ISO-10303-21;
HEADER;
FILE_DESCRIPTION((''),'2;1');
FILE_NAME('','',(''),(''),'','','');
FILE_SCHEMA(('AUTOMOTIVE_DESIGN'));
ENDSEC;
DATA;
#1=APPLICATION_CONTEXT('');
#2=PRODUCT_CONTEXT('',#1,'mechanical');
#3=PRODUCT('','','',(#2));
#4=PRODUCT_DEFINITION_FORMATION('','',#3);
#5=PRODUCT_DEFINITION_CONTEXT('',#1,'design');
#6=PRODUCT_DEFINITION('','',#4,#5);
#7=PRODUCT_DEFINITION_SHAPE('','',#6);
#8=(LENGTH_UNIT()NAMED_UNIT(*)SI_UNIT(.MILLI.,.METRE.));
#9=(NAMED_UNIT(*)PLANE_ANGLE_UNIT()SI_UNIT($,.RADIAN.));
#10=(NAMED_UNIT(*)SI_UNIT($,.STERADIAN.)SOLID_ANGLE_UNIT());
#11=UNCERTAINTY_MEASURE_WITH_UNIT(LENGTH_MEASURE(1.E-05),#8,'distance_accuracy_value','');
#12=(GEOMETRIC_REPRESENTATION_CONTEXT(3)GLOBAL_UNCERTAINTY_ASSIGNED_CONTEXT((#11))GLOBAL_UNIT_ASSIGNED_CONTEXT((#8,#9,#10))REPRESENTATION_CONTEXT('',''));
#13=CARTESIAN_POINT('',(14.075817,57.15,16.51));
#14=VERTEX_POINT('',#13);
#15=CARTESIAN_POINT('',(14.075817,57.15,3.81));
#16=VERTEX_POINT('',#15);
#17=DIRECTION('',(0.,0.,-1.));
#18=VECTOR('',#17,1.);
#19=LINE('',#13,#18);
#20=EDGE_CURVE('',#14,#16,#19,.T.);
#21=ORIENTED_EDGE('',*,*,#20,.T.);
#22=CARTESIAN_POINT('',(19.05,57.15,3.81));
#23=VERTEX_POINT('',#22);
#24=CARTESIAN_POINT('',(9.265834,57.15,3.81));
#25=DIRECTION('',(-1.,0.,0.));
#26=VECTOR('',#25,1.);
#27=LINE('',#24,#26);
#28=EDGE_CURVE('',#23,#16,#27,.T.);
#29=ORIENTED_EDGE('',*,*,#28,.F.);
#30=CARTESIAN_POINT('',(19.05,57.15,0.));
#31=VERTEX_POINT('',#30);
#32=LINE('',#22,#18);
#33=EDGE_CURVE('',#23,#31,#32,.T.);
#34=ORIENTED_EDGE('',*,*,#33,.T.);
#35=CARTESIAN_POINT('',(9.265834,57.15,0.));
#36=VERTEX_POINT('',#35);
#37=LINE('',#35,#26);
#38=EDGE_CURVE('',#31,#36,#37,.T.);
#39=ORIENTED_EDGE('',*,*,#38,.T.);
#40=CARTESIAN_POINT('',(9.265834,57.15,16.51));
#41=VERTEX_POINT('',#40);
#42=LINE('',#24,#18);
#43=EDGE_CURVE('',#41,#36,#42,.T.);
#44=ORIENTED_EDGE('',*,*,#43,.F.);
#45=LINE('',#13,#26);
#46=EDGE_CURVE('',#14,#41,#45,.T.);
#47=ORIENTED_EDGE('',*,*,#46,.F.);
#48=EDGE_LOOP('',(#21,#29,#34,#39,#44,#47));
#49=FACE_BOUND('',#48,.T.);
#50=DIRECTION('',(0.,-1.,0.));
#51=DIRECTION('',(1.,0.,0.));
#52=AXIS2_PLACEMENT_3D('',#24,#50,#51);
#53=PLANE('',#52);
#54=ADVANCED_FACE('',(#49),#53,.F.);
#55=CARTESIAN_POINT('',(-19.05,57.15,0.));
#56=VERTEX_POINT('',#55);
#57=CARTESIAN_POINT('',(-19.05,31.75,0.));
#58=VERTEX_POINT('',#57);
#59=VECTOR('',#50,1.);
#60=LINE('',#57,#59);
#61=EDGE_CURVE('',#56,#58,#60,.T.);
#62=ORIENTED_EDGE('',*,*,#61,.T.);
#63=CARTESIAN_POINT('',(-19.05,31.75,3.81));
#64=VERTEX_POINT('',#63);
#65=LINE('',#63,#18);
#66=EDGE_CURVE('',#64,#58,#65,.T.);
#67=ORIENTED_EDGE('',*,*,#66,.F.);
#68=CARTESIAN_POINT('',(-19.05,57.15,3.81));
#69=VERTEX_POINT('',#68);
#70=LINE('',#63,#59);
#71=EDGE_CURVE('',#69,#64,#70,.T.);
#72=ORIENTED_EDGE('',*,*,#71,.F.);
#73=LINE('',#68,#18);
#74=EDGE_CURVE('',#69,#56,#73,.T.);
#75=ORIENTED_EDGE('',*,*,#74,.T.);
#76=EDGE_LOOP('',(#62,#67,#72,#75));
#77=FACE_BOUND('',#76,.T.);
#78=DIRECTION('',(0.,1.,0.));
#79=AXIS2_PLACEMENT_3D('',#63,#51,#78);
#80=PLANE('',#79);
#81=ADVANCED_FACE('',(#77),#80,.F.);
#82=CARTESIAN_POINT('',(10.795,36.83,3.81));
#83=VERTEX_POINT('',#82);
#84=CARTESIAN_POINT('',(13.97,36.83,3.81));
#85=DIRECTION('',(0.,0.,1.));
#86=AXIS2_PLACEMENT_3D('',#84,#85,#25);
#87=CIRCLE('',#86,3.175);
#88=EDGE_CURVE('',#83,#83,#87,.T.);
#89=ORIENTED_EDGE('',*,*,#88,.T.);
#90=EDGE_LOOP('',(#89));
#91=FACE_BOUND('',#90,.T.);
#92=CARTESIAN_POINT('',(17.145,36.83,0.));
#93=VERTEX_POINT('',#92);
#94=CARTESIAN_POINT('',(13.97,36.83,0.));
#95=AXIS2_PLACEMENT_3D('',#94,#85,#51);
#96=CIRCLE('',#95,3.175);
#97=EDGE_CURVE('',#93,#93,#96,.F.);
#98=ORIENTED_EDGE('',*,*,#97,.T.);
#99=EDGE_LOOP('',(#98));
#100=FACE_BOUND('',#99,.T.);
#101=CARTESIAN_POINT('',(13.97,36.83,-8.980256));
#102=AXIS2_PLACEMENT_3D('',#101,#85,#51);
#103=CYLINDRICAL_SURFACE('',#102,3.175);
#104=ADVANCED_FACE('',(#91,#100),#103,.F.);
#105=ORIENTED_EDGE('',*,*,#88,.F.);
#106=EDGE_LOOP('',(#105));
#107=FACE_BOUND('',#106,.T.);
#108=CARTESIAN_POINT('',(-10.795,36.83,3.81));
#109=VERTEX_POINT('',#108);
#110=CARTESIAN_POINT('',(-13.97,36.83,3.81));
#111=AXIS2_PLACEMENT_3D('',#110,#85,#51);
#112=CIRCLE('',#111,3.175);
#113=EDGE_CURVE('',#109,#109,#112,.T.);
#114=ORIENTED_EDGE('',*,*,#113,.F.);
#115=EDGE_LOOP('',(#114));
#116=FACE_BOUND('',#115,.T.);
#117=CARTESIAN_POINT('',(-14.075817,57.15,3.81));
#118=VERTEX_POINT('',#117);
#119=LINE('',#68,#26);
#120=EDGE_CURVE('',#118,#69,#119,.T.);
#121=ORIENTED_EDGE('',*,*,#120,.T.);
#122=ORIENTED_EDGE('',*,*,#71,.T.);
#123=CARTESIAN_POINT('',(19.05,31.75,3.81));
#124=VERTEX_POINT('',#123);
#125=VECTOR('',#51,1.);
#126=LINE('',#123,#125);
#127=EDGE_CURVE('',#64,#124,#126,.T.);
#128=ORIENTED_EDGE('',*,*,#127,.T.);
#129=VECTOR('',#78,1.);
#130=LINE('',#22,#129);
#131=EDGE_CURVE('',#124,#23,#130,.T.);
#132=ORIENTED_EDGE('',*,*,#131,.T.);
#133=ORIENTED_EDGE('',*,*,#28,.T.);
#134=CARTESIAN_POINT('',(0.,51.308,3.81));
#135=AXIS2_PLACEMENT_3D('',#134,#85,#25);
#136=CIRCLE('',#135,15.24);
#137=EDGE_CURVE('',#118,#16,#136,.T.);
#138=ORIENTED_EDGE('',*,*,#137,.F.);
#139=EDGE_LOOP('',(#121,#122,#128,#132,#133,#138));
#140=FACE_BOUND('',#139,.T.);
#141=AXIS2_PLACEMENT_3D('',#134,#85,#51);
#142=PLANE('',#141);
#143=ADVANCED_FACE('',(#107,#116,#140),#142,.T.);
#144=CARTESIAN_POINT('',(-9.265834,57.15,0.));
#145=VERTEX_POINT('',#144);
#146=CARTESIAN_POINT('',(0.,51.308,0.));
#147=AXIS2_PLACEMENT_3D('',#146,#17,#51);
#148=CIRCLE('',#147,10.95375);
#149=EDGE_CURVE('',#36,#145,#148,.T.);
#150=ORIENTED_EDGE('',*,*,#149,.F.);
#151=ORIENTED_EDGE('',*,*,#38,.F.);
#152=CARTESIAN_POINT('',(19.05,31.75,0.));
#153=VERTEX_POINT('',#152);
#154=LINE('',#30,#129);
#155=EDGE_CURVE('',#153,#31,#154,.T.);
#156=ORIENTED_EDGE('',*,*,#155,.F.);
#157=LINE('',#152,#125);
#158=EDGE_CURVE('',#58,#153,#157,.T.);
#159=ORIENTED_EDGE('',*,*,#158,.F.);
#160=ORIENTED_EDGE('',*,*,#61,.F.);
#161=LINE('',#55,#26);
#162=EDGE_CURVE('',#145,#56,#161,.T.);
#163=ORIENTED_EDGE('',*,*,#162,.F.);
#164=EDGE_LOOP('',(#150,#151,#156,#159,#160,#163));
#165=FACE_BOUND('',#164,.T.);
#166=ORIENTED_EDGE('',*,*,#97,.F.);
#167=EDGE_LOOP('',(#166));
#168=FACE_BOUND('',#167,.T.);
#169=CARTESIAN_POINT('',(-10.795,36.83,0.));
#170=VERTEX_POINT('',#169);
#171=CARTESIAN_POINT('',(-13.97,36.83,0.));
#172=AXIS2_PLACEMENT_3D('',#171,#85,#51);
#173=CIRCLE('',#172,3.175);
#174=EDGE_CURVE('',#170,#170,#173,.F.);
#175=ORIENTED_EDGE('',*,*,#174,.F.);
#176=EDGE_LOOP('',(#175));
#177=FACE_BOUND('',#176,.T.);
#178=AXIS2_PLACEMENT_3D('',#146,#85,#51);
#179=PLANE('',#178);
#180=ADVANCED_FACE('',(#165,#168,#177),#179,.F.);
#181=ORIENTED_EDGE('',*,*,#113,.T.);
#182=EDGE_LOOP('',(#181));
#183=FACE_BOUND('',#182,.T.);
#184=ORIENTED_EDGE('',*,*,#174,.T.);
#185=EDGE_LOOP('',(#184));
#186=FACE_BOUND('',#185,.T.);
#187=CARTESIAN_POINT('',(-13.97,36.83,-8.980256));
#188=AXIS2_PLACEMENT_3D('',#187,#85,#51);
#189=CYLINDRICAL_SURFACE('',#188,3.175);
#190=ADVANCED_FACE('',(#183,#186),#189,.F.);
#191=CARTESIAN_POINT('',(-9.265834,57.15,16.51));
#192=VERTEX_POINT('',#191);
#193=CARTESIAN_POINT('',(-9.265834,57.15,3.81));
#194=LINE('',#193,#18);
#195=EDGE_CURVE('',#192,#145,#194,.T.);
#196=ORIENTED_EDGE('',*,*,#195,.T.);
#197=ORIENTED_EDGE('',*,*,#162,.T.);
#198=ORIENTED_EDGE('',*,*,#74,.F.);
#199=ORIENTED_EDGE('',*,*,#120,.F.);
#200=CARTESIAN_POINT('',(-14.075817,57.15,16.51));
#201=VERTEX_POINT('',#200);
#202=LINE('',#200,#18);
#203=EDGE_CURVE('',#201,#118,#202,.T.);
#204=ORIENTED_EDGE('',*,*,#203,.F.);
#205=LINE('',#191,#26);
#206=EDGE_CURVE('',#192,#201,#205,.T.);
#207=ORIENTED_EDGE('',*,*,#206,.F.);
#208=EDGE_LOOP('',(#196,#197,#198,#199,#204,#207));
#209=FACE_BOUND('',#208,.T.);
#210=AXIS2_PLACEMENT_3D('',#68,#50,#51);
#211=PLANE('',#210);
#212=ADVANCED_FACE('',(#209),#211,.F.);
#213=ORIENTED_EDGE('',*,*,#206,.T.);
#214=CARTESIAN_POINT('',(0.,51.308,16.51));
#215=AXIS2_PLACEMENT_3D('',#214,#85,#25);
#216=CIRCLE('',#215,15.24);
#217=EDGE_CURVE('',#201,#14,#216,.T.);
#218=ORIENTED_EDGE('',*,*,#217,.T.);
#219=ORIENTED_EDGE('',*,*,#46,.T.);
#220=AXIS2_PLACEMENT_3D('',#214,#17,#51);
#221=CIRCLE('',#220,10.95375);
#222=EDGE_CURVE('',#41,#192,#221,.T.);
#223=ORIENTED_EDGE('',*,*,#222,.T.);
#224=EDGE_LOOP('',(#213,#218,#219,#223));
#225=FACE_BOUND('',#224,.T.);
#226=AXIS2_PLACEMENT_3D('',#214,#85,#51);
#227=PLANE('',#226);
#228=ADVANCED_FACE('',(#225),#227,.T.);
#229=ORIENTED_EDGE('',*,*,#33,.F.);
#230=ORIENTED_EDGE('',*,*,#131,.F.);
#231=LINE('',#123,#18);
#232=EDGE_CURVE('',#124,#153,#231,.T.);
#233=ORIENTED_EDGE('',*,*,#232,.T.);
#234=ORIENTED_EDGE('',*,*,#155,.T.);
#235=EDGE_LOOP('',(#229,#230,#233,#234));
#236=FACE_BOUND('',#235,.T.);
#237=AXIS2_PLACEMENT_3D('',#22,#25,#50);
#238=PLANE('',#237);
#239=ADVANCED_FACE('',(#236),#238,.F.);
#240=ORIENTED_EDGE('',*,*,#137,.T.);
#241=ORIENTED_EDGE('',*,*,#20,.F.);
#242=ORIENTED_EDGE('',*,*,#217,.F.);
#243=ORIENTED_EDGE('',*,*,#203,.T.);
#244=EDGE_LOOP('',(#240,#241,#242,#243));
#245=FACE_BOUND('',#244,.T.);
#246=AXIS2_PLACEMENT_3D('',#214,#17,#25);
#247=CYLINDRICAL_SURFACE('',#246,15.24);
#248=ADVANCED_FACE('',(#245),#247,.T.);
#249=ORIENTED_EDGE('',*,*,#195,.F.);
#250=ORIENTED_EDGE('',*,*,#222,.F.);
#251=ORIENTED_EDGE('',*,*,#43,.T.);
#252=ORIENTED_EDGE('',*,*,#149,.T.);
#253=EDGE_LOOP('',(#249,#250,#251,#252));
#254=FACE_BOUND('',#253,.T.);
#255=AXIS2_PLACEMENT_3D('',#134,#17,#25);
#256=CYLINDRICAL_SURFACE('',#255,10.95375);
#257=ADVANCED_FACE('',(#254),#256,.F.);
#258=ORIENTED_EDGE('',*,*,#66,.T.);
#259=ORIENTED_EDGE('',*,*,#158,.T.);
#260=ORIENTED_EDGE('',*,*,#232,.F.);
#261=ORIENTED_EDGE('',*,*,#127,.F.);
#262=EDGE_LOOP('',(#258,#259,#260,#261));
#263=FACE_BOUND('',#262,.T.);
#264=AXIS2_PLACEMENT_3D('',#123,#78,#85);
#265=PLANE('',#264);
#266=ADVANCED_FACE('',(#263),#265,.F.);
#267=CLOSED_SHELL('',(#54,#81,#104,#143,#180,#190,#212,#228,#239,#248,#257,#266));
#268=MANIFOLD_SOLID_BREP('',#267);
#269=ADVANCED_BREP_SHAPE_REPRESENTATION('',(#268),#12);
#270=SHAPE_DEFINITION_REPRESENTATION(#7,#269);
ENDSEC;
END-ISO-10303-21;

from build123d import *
from build123d.topology import SkipClean

# Parameters (mm, degrees)
BOSS_EXTRUDE1_DEPTH = 3.81
BOSS_EXTRUDE2_DEPTH = 12.7
SKETCH3_R           = 3.175
CUT_EXTRUDE1_DEPTH  = 3.81


with BuildPart() as part:
    # Sketch1 → Boss-Extrude1 (new body)
    with BuildSketch(Plane.XY):
        with BuildLine():
            Line((19.05, 57.15), (19.05, 31.75))
            Line((19.05, 31.75), (-19.05, 31.75))
            Line((-19.05, 31.75), (-19.05, 57.15))
            Line((-19.05, 57.15), (-9.265833749, 57.15))
            ThreePointArc((-9.265833749, 57.15), (0, 40.35425), (9.265833749, 57.15))
            Line((9.265833749, 57.15), (19.05, 57.15))
        make_face()
    extrude(amount=BOSS_EXTRUDE1_DEPTH)

    # Sketch2 → Boss-Extrude2 (add)
    with SkipClean():  # the faces are left unmerged after this step: merging them gives an invalid solid
        with BuildSketch(Plane.XY.offset(3.81)):
            with BuildLine():
                Line((14.075817419, 57.15), (9.265833749, 57.15))
                ThreePointArc((9.265833749, 57.15), (0, 40.35425), (-9.265833749, 57.15))
                Line((-9.265833749, 57.15), (-14.075817419, 57.15))
                ThreePointArc((-14.075817419, 57.15), (0, 36.068), (14.075817419, 57.15))
            make_face()
        extrude(amount=BOSS_EXTRUDE2_DEPTH)

    # Sketch3 → Cut-Extrude1 (cut)
    with SkipClean():  # the faces are left unmerged after this step: merging them gives an invalid solid
        with BuildSketch(Plane.XY.offset(3.81)):
            with Locations((-13.97, 36.83)):
                Circle(SKETCH3_R)
            with Locations((13.97, 36.83)):
                Circle(SKETCH3_R)
        extrude(amount=-CUT_EXTRUDE1_DEPTH, mode=Mode.SUBTRACT)


solid = part.part
